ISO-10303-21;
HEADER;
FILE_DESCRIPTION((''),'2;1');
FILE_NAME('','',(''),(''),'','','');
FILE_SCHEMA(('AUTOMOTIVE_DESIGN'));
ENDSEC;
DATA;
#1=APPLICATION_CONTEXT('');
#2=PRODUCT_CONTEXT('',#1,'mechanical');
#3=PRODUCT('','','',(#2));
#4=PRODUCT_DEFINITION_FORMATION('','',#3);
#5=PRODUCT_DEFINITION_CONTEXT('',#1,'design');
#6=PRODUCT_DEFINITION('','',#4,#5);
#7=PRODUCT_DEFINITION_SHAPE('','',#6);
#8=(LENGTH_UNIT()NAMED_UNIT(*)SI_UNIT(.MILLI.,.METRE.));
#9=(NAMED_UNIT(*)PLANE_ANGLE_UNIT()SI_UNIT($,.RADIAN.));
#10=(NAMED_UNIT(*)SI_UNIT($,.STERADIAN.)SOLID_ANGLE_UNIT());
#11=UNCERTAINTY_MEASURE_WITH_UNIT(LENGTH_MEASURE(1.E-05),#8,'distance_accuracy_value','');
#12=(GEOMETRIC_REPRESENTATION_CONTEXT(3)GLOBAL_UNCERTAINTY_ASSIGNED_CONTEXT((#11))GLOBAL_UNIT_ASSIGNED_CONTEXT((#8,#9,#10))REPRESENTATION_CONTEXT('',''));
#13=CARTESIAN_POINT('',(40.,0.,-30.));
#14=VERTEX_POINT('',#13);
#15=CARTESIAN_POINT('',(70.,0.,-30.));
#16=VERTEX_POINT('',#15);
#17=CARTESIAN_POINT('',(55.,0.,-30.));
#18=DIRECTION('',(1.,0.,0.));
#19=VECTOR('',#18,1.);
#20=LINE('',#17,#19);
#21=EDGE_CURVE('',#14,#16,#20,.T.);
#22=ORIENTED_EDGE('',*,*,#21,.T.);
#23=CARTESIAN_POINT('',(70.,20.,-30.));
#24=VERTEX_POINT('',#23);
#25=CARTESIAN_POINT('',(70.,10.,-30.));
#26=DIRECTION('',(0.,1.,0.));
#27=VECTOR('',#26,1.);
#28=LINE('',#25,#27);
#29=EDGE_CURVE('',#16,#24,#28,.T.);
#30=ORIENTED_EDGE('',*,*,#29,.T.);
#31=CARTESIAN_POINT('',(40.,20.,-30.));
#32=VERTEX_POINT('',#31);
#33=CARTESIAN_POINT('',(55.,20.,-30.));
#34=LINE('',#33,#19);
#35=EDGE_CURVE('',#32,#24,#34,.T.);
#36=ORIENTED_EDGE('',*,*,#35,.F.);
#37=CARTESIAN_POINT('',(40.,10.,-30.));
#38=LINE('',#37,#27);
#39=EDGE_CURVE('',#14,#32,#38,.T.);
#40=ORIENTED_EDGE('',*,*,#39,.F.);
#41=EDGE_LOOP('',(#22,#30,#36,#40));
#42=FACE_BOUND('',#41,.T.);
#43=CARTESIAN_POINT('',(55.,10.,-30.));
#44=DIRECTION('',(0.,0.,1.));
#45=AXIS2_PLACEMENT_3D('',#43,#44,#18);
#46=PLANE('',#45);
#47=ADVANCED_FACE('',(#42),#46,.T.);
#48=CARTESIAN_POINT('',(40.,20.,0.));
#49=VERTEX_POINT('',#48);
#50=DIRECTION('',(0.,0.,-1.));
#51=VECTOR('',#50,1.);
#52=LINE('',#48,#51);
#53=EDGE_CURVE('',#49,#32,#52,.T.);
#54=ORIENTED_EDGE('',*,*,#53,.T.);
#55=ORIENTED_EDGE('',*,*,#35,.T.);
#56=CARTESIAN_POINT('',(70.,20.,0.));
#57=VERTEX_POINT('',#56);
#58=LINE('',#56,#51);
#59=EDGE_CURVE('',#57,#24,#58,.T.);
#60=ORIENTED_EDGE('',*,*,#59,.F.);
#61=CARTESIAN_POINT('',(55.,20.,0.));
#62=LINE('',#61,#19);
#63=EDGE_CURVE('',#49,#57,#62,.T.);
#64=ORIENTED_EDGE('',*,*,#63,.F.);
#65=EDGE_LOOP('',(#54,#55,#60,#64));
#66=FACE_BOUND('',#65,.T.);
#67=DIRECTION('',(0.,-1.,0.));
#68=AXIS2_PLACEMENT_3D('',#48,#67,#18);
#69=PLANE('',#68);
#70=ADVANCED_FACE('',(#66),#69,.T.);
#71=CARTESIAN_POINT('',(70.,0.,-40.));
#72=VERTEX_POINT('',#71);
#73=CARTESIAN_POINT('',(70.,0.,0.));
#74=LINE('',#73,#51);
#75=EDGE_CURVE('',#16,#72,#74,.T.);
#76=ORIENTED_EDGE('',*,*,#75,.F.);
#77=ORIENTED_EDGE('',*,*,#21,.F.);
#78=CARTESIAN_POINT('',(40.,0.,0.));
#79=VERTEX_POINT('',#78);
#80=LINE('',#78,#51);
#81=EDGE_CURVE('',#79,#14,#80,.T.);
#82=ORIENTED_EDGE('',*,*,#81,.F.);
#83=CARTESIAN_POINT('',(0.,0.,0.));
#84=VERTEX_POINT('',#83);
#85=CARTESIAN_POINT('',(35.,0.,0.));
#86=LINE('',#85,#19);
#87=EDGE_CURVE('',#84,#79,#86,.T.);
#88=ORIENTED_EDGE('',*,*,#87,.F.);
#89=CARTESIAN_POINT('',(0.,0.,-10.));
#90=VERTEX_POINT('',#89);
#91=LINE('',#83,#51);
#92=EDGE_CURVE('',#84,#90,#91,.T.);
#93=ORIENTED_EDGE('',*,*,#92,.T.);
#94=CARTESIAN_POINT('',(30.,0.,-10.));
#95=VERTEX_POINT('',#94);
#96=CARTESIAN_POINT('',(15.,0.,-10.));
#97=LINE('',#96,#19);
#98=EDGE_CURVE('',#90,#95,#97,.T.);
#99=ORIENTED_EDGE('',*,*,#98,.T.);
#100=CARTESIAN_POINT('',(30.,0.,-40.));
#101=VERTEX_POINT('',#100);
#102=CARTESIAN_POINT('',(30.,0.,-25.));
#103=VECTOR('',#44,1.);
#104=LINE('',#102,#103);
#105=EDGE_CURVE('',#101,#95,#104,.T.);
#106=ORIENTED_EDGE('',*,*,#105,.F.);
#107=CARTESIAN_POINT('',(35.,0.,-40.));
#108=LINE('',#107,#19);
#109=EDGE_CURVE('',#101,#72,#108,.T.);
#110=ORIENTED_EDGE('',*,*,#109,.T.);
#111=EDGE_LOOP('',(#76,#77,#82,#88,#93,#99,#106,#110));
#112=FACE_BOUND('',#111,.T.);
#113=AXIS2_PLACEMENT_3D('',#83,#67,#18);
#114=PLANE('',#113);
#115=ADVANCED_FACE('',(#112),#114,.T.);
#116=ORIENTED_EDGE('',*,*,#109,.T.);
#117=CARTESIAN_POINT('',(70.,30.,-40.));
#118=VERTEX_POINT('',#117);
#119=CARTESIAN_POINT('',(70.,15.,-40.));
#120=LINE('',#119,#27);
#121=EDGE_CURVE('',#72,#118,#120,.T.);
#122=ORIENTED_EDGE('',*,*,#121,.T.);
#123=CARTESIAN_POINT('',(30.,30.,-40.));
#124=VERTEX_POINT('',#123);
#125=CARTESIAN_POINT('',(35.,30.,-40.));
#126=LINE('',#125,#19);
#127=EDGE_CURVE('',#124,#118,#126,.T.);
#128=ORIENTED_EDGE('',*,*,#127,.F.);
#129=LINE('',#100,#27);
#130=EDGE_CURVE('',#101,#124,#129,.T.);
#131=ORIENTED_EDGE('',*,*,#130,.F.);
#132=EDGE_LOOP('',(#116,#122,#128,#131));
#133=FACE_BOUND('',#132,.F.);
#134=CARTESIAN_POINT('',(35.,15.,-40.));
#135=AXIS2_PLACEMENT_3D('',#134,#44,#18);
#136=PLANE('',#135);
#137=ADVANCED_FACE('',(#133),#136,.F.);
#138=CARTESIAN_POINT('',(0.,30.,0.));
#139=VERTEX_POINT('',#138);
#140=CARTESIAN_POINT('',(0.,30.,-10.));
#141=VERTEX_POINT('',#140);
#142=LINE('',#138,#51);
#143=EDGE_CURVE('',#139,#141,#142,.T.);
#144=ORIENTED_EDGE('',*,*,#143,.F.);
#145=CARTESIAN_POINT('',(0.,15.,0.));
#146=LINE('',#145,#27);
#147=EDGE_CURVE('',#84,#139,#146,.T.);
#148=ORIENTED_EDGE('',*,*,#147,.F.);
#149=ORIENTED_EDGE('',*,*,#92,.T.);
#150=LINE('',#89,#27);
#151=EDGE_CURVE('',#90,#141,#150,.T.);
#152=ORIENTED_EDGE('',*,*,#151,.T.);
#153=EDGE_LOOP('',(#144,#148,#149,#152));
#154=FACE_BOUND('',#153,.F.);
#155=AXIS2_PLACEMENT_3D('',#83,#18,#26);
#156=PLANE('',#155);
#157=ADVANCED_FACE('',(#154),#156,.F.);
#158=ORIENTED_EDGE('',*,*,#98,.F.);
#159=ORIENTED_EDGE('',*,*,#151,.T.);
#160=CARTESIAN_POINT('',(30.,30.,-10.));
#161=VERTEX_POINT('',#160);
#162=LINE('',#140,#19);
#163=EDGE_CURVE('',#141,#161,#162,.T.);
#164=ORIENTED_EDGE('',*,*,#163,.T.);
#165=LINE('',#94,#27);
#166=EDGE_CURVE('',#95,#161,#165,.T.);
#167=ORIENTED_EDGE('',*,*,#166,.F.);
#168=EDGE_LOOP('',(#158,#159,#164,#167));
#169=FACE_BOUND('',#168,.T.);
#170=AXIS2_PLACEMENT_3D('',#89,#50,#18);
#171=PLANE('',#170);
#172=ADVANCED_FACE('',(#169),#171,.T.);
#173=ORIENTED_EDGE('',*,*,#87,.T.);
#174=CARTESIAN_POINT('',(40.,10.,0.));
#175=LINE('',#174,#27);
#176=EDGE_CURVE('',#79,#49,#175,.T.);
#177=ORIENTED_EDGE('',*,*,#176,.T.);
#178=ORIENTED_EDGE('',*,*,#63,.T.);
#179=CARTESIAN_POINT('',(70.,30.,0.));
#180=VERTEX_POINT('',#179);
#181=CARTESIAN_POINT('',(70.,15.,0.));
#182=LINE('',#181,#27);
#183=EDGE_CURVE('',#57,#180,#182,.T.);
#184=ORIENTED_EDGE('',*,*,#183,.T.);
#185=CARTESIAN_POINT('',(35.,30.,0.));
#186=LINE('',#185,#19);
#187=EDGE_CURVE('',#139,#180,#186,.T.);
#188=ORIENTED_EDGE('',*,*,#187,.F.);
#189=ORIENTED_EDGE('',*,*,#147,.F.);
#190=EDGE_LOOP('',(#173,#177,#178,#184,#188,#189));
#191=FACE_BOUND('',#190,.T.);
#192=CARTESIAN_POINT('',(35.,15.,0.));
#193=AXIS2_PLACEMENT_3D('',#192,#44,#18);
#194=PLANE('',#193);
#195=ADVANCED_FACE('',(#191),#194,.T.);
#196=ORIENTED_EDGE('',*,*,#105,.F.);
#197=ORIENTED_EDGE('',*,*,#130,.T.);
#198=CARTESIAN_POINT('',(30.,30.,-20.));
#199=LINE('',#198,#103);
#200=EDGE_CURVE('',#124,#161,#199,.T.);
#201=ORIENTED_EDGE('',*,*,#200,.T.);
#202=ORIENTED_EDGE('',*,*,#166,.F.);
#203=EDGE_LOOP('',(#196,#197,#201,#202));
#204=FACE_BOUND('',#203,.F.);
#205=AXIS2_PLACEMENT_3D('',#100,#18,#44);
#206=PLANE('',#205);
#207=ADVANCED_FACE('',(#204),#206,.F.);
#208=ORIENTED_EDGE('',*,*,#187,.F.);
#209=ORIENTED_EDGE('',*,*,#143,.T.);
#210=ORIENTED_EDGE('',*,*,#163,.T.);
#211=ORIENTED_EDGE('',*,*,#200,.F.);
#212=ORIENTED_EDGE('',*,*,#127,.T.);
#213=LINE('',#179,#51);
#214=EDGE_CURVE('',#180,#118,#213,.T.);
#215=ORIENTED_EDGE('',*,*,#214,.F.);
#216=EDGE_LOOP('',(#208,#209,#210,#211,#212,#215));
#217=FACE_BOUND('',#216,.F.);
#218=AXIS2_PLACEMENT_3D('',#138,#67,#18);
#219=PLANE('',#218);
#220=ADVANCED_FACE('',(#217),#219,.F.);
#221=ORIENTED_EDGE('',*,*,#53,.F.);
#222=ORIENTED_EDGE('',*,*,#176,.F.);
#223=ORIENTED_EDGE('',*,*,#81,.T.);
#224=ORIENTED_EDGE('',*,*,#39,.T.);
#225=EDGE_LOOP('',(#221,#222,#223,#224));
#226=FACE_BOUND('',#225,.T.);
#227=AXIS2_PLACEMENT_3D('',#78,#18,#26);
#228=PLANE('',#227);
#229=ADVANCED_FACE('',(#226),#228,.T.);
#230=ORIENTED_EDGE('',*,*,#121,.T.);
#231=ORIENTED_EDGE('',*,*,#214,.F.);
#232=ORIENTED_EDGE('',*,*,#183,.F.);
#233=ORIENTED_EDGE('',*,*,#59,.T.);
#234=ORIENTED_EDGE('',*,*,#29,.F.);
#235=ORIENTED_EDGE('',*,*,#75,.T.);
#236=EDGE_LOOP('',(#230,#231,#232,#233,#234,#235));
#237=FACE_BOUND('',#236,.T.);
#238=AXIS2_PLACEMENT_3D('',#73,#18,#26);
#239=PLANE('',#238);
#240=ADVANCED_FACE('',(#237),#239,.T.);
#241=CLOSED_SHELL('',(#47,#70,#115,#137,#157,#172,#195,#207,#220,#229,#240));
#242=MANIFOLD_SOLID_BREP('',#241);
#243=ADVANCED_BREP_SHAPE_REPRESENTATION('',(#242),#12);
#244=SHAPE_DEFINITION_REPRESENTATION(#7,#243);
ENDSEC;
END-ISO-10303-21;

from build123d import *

# Parameters (mm, degrees)
F0_W     = 70
F0_H     = 30
F1_DEPTH = 40
F2_W     = 30
F2_H     = 20
F3_DEPTH = 30
F4_W     = 30
F4_H     = 30
F5_DEPTH = 30.001


with BuildPart() as f1:
    # F0 (on Top) → F1 (new body)
    with BuildSketch(Plane.XY):
        with Locations((35, 15)):
            Rectangle(F0_W, F0_H)
    extrude(amount=-F1_DEPTH)

    # F2 (on Top) → F3 (cut)
    with BuildSketch(Plane.XY):
        with Locations((55, 10)):
            Rectangle(F2_W, F2_H)
    extrude(amount=-F3_DEPTH, mode=Mode.SUBTRACT)

    # F4 (on Front) → F5 (cut, through all)
    with BuildSketch(Plane.XZ):
        with Locations((15, -25)):
            Rectangle(F4_W, F4_H)
    extrude(amount=-F5_DEPTH, mode=Mode.SUBTRACT)


solid = f1.part
